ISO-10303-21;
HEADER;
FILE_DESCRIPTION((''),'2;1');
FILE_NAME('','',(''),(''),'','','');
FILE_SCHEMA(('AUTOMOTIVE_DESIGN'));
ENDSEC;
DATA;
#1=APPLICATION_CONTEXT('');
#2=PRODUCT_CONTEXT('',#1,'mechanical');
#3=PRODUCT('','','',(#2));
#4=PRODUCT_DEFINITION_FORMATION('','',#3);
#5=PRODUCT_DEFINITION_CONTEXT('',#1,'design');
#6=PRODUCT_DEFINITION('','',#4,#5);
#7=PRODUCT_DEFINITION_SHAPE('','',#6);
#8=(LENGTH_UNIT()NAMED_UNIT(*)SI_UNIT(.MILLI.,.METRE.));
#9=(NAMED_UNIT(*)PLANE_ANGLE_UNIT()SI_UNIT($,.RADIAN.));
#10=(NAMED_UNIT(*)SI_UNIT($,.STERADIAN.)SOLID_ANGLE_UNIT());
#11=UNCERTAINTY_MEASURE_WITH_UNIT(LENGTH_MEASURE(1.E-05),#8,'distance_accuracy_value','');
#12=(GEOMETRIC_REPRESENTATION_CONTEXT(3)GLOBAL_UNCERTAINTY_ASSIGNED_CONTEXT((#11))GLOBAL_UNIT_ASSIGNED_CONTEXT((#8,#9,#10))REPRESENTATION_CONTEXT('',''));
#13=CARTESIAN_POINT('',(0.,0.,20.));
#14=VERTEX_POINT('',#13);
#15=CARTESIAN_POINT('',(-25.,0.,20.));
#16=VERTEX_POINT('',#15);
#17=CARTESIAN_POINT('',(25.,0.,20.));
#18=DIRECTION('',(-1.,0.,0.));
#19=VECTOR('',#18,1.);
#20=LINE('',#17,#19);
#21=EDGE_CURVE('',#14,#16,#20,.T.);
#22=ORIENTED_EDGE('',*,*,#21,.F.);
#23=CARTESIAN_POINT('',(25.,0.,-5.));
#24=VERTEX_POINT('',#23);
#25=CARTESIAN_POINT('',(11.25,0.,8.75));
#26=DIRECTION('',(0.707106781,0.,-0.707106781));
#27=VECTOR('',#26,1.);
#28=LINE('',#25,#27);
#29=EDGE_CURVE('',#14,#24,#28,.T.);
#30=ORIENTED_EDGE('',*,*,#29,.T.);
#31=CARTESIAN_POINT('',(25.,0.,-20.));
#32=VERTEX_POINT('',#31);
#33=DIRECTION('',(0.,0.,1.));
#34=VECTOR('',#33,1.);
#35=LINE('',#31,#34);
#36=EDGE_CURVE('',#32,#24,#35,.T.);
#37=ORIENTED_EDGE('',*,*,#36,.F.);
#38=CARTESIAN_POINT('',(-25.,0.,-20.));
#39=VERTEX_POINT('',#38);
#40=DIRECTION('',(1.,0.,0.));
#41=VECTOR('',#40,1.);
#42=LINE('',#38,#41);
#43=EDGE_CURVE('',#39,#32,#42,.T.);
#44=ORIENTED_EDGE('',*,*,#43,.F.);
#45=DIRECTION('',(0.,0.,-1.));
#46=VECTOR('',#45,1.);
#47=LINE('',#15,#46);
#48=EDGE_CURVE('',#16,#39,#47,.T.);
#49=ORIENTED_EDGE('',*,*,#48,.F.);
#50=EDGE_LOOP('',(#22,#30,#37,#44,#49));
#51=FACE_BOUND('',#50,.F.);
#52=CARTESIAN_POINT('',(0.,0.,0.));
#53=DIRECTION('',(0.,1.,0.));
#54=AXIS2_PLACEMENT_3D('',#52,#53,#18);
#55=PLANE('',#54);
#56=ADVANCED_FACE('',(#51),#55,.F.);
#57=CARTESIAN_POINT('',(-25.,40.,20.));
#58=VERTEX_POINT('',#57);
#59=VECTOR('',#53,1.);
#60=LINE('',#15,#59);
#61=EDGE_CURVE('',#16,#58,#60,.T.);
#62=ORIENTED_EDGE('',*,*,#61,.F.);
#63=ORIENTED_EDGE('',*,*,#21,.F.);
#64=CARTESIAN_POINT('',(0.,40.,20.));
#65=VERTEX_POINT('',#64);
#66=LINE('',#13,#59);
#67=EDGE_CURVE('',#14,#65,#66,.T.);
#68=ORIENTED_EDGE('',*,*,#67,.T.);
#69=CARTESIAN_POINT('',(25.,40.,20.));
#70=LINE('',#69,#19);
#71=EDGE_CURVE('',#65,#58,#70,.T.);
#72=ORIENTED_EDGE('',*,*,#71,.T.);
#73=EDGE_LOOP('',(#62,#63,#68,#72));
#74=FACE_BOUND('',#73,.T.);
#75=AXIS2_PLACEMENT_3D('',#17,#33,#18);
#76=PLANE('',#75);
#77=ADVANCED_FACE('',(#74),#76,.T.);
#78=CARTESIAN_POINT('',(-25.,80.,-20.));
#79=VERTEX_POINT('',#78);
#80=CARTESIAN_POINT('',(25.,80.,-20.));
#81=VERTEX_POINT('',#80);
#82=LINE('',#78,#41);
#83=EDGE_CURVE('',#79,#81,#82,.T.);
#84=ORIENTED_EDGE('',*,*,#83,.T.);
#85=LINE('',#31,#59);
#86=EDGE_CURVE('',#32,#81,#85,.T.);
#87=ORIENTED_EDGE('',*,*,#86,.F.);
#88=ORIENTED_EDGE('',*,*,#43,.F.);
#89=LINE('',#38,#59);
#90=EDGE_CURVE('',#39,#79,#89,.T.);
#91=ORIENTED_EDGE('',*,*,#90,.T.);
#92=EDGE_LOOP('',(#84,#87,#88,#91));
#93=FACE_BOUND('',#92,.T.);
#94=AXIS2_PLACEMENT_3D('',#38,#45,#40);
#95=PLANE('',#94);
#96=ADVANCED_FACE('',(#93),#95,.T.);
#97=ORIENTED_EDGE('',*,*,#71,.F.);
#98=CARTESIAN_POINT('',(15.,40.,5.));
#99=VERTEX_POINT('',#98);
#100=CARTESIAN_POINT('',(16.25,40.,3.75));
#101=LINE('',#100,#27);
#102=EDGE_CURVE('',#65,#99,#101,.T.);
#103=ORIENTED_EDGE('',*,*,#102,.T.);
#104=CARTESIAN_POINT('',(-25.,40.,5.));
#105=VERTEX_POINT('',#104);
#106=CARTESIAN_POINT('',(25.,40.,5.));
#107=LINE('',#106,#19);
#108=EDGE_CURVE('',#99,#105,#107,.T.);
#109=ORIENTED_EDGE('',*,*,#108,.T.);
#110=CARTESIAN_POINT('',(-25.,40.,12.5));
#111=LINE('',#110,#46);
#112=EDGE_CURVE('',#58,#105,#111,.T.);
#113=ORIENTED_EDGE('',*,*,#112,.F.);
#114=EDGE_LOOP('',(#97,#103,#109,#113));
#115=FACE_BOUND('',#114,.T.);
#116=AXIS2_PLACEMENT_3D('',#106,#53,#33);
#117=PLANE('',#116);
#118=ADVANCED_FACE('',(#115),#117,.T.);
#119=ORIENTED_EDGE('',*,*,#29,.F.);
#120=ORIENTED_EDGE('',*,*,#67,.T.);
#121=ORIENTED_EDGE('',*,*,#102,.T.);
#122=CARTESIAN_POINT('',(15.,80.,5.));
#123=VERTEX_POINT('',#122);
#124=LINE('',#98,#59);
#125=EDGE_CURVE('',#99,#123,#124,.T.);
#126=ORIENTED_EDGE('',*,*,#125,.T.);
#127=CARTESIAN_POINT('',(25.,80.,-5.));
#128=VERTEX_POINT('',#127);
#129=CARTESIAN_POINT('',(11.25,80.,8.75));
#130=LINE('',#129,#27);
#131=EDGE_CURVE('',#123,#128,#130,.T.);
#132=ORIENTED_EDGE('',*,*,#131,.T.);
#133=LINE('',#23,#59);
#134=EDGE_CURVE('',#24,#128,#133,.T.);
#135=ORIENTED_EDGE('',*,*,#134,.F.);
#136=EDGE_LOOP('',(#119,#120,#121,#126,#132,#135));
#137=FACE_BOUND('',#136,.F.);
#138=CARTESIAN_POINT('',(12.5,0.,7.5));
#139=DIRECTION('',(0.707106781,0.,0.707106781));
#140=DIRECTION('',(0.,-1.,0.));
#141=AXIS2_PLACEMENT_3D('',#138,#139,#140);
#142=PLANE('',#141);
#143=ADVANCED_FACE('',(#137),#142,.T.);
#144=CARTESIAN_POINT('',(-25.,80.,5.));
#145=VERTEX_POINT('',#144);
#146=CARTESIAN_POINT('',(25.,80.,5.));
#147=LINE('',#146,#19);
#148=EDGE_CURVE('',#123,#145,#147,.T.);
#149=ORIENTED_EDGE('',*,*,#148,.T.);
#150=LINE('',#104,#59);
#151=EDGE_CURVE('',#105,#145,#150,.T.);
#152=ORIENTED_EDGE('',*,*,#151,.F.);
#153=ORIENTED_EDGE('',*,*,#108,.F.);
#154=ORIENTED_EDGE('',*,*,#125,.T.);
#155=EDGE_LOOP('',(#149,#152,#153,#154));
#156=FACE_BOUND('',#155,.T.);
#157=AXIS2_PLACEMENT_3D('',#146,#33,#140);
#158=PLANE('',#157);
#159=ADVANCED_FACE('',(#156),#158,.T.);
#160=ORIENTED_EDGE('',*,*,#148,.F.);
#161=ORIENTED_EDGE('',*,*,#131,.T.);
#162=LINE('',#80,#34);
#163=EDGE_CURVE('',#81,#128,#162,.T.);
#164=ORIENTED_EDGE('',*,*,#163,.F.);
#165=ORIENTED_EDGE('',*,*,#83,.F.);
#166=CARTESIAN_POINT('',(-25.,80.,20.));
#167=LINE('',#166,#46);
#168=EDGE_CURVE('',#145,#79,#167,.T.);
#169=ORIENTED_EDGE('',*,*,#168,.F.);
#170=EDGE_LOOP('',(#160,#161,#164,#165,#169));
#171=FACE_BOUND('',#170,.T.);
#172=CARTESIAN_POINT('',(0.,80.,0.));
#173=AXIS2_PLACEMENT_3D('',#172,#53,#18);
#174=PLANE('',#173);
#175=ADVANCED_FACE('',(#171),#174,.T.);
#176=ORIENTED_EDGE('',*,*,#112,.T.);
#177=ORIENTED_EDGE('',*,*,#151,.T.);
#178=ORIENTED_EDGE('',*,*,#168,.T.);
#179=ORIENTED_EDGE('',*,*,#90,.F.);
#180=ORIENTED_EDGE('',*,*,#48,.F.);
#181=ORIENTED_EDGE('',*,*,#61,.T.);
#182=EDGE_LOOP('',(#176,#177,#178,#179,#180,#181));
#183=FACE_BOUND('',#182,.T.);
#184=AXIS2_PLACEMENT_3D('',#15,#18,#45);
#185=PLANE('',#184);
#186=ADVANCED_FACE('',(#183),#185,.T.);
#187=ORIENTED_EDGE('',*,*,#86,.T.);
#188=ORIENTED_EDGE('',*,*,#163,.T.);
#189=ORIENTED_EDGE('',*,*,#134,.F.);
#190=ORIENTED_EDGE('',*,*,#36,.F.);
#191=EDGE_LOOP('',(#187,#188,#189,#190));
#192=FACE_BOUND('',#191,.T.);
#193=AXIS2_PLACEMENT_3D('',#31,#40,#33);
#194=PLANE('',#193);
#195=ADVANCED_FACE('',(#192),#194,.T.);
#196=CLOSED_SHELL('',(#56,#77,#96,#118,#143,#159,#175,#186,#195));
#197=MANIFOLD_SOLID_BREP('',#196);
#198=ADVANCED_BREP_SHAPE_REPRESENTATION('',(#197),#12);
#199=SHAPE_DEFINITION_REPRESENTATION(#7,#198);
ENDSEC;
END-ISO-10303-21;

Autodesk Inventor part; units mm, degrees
ref_plane "YZ Plane" through (0, 0, 0) normal (1, 0, 0) x (0, 1, 0)
ref_plane "XZ Plane" through (0, 0, 0) normal (0, 1, 0) x (-1, 0, 0)
ref_plane "XY Plane" through (0, 0, 0) normal (0, 0, 1) x (1, 0, 0)
sketch "Esboço1" plane through (0, 0, 0) normal (0, 1, 0) x (-1, 0, 0)
  line L0 (-25, 20) -> (25, 20)
  line L1 (25, 20) -> (25, -20)
  line L2 (25, -20) -> (-25, -20)
  line L3 (-25, -20) -> (-25, 20)
  line L4 (-25, 20) -> (25, -20) construction
  line L5 (25, 20) -> (-25, -20) construction
  point P0 (0, 0)
  dimension "d0" = 50
  dimension "d1" = 40
extrude "Extrusão1" add sketch "Esboço1" along normal blind 80
sketch "Esboço2" plane through (25, 0, 20) normal (1, 0, 0) x (0, 0, -1)
  line L0 (0, 80) -> (15, 80)
  line L1 (15, 80) -> (15, 40)
  line L2 (15, 40) -> (0, 40)
  line L3 (0, 40) -> (0, 80)
  line L4 (40, 0) -> (40, 80) projected
  line L5 (0, 0) -> (40, 0) projected
  point P0 (20, 0)
  dimension "d4" = 25
  dimension "d5" = 40
extrude "Extrusão2" cut sketch "Esboço2" against normal through all
chamfer "Chanfro1" distance 25 angle 45 1 edges at (25, 20, 20)
properties part number "3D Model"
